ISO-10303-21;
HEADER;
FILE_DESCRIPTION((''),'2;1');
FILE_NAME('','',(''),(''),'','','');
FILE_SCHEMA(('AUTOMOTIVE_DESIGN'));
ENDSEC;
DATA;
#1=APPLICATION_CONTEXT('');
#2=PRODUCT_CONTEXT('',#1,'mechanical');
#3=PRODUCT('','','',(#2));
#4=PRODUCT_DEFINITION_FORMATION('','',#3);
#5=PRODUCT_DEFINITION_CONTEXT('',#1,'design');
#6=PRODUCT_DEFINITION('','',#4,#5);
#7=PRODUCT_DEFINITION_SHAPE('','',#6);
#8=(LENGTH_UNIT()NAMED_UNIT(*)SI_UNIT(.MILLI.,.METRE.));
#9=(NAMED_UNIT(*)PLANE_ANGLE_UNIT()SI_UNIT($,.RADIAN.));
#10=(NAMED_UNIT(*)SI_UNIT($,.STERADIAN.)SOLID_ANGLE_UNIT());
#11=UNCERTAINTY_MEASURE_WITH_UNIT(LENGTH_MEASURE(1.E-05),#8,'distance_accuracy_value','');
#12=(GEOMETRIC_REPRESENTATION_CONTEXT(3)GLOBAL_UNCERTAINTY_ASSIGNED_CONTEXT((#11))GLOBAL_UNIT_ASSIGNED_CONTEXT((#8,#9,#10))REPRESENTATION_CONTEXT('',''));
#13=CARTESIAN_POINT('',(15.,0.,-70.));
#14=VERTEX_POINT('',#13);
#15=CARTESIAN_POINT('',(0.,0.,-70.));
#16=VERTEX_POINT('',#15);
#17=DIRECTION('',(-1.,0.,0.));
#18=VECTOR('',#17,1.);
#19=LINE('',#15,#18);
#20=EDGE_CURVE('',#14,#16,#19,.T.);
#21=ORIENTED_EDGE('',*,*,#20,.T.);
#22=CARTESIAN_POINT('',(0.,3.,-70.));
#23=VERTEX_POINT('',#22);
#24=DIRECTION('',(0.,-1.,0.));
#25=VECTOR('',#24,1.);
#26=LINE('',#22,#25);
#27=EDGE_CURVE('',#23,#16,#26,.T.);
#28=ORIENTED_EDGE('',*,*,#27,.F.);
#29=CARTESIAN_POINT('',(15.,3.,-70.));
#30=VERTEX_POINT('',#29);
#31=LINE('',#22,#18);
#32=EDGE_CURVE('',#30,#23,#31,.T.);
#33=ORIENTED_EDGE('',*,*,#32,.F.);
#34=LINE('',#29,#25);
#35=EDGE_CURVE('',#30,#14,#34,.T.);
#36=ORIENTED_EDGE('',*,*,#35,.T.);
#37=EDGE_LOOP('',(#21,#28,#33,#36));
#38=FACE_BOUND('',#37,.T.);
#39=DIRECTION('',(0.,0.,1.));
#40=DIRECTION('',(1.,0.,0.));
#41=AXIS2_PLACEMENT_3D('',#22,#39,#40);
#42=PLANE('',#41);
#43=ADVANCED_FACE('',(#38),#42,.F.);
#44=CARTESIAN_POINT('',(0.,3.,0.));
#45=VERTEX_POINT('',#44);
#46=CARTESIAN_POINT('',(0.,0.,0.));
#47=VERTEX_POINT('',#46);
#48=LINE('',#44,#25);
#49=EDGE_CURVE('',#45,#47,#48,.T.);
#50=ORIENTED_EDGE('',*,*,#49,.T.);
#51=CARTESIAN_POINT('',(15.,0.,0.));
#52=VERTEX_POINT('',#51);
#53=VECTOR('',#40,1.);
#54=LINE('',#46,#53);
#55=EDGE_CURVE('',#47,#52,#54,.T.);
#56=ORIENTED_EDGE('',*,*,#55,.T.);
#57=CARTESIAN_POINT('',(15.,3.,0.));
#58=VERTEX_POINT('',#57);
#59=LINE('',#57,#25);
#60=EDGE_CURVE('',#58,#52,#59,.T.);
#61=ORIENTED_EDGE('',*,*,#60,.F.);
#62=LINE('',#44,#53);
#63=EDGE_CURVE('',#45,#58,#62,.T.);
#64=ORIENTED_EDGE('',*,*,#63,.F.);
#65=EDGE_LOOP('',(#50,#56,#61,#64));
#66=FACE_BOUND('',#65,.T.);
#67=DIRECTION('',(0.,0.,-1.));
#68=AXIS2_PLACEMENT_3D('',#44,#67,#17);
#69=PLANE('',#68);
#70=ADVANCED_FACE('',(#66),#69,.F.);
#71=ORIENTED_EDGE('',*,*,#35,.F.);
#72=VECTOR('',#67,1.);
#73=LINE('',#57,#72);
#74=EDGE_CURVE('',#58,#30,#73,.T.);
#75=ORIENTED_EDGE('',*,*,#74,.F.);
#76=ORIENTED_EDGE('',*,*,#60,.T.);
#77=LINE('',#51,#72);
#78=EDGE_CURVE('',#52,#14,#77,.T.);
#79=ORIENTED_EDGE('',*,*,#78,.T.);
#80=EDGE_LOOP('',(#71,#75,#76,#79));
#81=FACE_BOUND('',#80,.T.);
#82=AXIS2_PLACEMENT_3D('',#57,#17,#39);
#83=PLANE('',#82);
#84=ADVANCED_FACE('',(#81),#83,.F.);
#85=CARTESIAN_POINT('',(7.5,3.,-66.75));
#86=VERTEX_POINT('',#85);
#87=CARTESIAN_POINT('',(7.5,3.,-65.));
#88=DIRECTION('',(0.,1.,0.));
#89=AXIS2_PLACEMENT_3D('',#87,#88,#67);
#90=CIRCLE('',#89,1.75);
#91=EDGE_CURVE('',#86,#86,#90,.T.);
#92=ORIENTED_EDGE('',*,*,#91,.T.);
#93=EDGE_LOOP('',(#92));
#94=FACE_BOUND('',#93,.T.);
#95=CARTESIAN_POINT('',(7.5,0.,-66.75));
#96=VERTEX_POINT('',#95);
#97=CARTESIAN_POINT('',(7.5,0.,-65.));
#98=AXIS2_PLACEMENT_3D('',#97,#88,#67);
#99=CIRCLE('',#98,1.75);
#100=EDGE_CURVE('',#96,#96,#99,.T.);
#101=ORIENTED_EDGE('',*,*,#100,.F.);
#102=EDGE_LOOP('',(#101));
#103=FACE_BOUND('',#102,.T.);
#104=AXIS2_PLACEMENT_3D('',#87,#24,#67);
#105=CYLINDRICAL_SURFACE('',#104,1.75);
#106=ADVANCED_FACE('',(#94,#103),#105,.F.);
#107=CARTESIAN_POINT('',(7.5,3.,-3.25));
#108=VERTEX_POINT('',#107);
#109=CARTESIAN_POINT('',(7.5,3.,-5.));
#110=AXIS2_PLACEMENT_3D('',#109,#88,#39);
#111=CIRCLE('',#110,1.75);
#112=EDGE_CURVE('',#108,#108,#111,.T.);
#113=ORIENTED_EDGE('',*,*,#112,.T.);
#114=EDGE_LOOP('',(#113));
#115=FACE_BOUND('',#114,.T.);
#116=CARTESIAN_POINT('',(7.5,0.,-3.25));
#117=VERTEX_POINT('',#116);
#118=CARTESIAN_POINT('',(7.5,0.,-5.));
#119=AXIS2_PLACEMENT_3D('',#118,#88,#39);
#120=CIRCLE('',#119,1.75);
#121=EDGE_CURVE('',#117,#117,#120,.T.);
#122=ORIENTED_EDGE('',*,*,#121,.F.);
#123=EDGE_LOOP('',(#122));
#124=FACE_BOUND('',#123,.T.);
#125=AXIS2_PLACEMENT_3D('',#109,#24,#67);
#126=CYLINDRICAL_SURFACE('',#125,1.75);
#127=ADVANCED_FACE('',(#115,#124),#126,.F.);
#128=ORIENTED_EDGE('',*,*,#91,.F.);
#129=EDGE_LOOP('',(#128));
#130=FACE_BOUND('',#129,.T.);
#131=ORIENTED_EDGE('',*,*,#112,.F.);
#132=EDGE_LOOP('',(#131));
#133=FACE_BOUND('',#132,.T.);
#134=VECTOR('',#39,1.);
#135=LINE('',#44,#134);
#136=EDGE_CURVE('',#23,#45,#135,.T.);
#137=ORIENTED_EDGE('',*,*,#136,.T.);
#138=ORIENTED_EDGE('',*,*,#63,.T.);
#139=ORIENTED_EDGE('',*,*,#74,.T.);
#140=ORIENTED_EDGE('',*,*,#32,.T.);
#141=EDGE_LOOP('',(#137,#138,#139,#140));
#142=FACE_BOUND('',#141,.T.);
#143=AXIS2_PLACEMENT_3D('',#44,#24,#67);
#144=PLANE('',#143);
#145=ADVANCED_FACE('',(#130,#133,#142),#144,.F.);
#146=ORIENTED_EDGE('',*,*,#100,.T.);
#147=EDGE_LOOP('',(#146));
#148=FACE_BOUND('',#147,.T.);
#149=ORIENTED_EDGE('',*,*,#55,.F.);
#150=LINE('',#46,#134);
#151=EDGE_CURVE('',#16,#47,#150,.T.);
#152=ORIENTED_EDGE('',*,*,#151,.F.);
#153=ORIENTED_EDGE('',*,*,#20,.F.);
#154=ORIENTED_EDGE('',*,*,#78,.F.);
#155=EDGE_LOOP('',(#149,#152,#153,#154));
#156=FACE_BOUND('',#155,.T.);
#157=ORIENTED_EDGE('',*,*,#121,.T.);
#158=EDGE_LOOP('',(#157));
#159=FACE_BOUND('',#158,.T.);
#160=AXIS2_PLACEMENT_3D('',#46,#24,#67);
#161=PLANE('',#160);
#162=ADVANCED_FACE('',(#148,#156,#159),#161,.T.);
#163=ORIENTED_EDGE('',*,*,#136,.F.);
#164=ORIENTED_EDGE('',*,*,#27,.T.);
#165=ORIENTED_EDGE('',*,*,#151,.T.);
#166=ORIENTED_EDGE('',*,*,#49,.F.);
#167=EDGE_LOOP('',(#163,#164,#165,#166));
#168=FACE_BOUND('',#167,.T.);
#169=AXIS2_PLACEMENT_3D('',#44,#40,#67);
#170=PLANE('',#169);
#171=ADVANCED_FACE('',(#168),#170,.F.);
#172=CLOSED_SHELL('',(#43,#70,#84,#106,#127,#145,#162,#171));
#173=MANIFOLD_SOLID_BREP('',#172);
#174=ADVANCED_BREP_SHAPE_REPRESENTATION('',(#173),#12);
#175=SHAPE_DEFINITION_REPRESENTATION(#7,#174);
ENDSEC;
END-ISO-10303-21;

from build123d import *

# Parameters (mm, degrees)
SKETCH1_W           = 15
SKETCH1_H           = 70
SKETCH1_R           = 1.75
BOSS_EXTRUDE1_DEPTH = 3


with BuildPart() as part:
    # Sketch1 → Boss-Extrude1 (new body)
    with BuildSketch(Plane(origin=(0, 0, 0), x_dir=(1, 0, 0), z_dir=(0, 1, 0))):
        with Locations((7.5, 35)):
            Rectangle(SKETCH1_W, SKETCH1_H)
        with Locations(Location((7.5, 5, 0), (0, 0, 270))):
            Circle(SKETCH1_R, mode=Mode.SUBTRACT)
        with Locations(Location((7.5, 65, 0), (0, 0, 90))):
            Circle(SKETCH1_R, mode=Mode.SUBTRACT)
    extrude(amount=BOSS_EXTRUDE1_DEPTH)


solid = part.part
